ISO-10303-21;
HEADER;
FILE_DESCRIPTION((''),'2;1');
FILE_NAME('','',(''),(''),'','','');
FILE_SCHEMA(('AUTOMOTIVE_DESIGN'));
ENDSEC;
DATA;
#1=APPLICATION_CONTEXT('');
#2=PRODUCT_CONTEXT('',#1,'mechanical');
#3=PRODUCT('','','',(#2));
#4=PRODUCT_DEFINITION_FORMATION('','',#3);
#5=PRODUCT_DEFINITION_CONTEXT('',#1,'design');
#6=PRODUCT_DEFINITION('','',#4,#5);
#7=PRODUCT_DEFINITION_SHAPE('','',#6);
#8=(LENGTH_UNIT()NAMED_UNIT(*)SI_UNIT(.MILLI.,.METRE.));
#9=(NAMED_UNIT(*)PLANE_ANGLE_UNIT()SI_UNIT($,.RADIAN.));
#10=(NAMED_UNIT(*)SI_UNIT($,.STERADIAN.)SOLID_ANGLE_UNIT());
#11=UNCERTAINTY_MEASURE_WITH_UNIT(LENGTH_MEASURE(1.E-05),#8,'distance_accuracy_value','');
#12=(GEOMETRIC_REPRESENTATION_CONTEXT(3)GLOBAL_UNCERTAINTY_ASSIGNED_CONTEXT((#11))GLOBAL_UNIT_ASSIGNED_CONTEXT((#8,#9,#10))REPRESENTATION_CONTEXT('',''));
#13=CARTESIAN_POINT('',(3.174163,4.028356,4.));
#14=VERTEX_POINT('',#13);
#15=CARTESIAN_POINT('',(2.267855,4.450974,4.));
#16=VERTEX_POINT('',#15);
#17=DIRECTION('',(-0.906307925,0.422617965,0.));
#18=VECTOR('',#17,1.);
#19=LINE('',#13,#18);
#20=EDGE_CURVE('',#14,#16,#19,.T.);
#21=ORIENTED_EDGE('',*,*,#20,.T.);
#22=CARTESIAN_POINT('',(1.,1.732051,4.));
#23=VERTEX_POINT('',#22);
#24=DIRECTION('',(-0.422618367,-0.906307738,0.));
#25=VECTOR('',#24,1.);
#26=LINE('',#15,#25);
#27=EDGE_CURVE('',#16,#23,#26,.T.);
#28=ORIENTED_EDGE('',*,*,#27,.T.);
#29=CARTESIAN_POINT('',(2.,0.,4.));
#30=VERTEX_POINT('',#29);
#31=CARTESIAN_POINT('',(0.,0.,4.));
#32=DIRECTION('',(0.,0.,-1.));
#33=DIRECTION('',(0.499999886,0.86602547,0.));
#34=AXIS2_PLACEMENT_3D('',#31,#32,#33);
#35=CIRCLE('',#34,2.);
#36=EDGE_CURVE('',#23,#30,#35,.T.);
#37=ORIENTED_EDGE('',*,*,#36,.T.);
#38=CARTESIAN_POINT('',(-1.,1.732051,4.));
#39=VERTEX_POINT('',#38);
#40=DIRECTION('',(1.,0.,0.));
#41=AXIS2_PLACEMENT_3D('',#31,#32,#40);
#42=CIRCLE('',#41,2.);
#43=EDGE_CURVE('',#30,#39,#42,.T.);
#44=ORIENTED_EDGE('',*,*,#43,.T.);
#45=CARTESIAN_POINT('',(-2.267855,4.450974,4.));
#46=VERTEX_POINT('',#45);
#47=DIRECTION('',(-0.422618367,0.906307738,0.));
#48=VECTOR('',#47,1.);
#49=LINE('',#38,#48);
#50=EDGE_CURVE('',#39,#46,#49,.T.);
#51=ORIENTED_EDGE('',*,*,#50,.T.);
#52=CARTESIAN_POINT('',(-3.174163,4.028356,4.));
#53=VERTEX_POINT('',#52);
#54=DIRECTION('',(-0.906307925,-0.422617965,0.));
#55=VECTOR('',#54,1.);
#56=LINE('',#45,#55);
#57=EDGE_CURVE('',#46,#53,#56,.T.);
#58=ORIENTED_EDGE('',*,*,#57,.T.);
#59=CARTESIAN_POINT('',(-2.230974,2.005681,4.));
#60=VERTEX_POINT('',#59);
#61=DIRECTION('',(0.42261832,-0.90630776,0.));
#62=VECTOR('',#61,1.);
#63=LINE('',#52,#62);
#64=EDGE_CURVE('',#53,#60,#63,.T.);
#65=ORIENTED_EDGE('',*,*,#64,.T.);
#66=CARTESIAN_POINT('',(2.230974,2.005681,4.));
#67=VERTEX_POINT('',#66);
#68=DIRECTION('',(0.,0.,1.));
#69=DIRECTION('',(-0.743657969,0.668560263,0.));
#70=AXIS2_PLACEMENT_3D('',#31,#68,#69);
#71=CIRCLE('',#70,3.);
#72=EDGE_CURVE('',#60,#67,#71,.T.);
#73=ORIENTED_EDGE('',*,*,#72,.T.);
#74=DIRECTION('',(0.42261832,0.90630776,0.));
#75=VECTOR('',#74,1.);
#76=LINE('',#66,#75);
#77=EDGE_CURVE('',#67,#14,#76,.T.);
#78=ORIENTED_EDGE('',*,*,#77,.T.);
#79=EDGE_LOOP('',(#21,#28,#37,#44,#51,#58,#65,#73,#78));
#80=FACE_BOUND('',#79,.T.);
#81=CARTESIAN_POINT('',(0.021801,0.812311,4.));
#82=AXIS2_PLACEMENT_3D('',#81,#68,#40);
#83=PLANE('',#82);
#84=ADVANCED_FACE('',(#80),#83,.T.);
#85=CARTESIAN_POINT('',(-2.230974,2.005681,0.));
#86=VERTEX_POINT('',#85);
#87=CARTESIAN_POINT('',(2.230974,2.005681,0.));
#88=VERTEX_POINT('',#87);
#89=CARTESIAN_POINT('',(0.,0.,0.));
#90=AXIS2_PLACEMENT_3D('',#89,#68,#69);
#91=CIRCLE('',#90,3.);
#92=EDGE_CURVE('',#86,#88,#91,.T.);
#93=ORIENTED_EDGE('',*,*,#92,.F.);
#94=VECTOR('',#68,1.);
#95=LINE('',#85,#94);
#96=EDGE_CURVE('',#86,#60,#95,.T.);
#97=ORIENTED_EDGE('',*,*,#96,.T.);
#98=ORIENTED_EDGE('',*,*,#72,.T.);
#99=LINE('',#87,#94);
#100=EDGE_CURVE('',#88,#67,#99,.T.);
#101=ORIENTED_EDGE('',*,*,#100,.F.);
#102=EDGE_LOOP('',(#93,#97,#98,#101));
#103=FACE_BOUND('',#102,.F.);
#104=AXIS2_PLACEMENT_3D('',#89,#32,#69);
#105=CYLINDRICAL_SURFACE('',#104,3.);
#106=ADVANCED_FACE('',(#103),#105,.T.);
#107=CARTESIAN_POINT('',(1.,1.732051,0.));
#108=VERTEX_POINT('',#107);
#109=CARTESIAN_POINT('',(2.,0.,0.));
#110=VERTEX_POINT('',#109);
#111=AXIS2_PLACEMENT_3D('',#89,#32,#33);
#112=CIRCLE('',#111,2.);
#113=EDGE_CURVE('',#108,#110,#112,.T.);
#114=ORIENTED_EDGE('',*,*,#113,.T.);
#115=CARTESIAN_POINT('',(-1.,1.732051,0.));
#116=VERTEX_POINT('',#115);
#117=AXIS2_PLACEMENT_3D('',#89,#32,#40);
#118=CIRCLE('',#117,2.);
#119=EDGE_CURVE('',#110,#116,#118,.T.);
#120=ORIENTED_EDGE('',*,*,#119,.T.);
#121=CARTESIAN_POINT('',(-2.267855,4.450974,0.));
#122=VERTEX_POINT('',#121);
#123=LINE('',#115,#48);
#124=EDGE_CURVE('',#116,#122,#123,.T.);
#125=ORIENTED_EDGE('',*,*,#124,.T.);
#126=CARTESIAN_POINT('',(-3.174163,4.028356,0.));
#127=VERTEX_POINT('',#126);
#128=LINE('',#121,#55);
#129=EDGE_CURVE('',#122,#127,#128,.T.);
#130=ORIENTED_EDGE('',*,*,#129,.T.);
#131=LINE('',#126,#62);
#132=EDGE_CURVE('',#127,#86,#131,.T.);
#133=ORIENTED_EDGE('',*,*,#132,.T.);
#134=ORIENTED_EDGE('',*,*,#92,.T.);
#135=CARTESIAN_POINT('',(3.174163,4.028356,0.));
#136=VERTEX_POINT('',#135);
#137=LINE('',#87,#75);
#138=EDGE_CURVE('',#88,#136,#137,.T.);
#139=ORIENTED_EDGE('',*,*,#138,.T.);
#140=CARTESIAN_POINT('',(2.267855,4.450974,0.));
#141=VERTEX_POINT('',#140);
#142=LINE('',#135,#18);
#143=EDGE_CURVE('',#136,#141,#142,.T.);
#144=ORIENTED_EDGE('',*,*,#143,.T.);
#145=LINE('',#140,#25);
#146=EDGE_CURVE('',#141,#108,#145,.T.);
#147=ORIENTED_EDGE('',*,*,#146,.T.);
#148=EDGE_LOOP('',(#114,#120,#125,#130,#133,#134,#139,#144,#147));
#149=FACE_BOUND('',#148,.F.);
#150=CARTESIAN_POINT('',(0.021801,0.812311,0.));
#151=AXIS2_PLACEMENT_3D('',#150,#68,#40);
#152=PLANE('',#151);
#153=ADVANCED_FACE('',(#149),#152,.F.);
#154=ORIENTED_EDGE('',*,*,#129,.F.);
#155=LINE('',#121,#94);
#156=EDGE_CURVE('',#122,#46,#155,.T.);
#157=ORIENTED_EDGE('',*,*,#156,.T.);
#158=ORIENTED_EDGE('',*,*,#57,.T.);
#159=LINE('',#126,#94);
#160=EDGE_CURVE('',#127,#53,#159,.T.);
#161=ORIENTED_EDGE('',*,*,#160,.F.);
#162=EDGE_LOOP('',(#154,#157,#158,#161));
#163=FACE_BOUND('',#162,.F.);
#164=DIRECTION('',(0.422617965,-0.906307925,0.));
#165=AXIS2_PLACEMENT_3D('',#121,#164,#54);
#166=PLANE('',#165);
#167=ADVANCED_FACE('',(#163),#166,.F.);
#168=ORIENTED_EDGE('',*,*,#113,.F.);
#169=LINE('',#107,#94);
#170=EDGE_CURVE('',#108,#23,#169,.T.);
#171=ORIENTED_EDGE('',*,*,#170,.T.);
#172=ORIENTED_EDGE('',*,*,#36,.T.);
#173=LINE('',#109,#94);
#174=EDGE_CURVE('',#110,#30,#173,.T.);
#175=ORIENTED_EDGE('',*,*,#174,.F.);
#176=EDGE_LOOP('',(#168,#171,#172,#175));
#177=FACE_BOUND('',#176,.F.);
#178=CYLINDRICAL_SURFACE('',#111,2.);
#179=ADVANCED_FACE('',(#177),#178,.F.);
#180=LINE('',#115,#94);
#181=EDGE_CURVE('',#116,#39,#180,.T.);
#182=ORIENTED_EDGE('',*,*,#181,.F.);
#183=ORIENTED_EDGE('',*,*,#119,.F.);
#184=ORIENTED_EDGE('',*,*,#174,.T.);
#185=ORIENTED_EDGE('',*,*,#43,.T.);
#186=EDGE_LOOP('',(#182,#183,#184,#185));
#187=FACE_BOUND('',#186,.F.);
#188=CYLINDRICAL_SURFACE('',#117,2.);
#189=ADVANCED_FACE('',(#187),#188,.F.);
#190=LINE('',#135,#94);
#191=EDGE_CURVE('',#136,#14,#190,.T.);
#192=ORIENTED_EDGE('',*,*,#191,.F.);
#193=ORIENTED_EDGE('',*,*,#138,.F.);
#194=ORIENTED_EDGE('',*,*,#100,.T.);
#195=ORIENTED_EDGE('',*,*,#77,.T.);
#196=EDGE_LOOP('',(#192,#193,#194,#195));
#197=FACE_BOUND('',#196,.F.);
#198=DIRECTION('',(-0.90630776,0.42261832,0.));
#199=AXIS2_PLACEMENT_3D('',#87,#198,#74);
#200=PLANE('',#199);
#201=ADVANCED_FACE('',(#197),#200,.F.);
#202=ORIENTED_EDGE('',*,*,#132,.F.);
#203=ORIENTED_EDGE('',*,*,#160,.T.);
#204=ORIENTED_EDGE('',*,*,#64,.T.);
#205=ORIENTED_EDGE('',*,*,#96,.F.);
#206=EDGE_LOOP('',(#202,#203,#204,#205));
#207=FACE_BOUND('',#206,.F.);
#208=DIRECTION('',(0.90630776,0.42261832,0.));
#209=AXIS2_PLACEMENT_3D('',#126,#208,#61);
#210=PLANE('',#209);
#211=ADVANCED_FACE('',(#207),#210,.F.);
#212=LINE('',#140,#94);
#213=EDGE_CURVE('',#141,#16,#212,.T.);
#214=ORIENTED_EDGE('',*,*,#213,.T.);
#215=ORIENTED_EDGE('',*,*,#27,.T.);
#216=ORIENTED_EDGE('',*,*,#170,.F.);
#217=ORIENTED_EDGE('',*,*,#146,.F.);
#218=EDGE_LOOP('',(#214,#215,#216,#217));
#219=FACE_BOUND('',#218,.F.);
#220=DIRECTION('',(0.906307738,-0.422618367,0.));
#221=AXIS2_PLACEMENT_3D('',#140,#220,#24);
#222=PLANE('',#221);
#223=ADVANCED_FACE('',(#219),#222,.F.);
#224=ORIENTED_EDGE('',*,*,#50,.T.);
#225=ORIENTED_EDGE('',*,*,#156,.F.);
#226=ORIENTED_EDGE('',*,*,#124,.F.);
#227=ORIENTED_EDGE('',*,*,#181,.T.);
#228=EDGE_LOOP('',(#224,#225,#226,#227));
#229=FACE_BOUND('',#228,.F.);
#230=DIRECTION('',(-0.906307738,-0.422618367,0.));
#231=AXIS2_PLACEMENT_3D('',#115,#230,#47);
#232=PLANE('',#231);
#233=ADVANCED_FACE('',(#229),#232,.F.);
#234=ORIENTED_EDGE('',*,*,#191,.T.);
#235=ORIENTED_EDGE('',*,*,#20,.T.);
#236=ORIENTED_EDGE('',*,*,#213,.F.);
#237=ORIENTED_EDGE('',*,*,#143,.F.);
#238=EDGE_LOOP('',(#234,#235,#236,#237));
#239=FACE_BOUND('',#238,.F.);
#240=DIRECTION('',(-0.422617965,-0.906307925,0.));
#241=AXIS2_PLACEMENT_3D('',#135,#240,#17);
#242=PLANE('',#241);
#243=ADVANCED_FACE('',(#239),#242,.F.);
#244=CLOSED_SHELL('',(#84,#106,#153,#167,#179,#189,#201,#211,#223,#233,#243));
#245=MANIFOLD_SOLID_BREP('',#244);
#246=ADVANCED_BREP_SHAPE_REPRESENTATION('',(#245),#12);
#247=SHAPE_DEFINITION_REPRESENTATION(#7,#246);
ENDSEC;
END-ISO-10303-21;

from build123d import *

# Parameters (mm, degrees)
F1_DEPTH = 4


with BuildPart() as f1:
    # F0 (on Top) → F1 (new body)
    with BuildSketch(Plane.XY):
        with BuildLine():
            ThreePointArc((1, 1.732051), (1.732051, 1), (2, 0))
            ThreePointArc((2, 0), (-1, -1.732051), (-1, 1.732051))
            Line((-1, 1.732051), (-2.267855, 4.450974))
            Line((-2.267855, 4.450974), (-3.174163, 4.028356))
            Line((-3.174163, 4.028356), (-2.230974, 2.005681))
            ThreePointArc((-2.230974, 2.005681), (0, -3), (2.230974, 2.005681))
            Line((2.230974, 2.005681), (3.174163, 4.028356))
            Line((3.174163, 4.028356), (2.267855, 4.450974))
            Line((2.267855, 4.450974), (1, 1.732051))
        make_face()
    extrude(amount=F1_DEPTH)


solid = f1.part
